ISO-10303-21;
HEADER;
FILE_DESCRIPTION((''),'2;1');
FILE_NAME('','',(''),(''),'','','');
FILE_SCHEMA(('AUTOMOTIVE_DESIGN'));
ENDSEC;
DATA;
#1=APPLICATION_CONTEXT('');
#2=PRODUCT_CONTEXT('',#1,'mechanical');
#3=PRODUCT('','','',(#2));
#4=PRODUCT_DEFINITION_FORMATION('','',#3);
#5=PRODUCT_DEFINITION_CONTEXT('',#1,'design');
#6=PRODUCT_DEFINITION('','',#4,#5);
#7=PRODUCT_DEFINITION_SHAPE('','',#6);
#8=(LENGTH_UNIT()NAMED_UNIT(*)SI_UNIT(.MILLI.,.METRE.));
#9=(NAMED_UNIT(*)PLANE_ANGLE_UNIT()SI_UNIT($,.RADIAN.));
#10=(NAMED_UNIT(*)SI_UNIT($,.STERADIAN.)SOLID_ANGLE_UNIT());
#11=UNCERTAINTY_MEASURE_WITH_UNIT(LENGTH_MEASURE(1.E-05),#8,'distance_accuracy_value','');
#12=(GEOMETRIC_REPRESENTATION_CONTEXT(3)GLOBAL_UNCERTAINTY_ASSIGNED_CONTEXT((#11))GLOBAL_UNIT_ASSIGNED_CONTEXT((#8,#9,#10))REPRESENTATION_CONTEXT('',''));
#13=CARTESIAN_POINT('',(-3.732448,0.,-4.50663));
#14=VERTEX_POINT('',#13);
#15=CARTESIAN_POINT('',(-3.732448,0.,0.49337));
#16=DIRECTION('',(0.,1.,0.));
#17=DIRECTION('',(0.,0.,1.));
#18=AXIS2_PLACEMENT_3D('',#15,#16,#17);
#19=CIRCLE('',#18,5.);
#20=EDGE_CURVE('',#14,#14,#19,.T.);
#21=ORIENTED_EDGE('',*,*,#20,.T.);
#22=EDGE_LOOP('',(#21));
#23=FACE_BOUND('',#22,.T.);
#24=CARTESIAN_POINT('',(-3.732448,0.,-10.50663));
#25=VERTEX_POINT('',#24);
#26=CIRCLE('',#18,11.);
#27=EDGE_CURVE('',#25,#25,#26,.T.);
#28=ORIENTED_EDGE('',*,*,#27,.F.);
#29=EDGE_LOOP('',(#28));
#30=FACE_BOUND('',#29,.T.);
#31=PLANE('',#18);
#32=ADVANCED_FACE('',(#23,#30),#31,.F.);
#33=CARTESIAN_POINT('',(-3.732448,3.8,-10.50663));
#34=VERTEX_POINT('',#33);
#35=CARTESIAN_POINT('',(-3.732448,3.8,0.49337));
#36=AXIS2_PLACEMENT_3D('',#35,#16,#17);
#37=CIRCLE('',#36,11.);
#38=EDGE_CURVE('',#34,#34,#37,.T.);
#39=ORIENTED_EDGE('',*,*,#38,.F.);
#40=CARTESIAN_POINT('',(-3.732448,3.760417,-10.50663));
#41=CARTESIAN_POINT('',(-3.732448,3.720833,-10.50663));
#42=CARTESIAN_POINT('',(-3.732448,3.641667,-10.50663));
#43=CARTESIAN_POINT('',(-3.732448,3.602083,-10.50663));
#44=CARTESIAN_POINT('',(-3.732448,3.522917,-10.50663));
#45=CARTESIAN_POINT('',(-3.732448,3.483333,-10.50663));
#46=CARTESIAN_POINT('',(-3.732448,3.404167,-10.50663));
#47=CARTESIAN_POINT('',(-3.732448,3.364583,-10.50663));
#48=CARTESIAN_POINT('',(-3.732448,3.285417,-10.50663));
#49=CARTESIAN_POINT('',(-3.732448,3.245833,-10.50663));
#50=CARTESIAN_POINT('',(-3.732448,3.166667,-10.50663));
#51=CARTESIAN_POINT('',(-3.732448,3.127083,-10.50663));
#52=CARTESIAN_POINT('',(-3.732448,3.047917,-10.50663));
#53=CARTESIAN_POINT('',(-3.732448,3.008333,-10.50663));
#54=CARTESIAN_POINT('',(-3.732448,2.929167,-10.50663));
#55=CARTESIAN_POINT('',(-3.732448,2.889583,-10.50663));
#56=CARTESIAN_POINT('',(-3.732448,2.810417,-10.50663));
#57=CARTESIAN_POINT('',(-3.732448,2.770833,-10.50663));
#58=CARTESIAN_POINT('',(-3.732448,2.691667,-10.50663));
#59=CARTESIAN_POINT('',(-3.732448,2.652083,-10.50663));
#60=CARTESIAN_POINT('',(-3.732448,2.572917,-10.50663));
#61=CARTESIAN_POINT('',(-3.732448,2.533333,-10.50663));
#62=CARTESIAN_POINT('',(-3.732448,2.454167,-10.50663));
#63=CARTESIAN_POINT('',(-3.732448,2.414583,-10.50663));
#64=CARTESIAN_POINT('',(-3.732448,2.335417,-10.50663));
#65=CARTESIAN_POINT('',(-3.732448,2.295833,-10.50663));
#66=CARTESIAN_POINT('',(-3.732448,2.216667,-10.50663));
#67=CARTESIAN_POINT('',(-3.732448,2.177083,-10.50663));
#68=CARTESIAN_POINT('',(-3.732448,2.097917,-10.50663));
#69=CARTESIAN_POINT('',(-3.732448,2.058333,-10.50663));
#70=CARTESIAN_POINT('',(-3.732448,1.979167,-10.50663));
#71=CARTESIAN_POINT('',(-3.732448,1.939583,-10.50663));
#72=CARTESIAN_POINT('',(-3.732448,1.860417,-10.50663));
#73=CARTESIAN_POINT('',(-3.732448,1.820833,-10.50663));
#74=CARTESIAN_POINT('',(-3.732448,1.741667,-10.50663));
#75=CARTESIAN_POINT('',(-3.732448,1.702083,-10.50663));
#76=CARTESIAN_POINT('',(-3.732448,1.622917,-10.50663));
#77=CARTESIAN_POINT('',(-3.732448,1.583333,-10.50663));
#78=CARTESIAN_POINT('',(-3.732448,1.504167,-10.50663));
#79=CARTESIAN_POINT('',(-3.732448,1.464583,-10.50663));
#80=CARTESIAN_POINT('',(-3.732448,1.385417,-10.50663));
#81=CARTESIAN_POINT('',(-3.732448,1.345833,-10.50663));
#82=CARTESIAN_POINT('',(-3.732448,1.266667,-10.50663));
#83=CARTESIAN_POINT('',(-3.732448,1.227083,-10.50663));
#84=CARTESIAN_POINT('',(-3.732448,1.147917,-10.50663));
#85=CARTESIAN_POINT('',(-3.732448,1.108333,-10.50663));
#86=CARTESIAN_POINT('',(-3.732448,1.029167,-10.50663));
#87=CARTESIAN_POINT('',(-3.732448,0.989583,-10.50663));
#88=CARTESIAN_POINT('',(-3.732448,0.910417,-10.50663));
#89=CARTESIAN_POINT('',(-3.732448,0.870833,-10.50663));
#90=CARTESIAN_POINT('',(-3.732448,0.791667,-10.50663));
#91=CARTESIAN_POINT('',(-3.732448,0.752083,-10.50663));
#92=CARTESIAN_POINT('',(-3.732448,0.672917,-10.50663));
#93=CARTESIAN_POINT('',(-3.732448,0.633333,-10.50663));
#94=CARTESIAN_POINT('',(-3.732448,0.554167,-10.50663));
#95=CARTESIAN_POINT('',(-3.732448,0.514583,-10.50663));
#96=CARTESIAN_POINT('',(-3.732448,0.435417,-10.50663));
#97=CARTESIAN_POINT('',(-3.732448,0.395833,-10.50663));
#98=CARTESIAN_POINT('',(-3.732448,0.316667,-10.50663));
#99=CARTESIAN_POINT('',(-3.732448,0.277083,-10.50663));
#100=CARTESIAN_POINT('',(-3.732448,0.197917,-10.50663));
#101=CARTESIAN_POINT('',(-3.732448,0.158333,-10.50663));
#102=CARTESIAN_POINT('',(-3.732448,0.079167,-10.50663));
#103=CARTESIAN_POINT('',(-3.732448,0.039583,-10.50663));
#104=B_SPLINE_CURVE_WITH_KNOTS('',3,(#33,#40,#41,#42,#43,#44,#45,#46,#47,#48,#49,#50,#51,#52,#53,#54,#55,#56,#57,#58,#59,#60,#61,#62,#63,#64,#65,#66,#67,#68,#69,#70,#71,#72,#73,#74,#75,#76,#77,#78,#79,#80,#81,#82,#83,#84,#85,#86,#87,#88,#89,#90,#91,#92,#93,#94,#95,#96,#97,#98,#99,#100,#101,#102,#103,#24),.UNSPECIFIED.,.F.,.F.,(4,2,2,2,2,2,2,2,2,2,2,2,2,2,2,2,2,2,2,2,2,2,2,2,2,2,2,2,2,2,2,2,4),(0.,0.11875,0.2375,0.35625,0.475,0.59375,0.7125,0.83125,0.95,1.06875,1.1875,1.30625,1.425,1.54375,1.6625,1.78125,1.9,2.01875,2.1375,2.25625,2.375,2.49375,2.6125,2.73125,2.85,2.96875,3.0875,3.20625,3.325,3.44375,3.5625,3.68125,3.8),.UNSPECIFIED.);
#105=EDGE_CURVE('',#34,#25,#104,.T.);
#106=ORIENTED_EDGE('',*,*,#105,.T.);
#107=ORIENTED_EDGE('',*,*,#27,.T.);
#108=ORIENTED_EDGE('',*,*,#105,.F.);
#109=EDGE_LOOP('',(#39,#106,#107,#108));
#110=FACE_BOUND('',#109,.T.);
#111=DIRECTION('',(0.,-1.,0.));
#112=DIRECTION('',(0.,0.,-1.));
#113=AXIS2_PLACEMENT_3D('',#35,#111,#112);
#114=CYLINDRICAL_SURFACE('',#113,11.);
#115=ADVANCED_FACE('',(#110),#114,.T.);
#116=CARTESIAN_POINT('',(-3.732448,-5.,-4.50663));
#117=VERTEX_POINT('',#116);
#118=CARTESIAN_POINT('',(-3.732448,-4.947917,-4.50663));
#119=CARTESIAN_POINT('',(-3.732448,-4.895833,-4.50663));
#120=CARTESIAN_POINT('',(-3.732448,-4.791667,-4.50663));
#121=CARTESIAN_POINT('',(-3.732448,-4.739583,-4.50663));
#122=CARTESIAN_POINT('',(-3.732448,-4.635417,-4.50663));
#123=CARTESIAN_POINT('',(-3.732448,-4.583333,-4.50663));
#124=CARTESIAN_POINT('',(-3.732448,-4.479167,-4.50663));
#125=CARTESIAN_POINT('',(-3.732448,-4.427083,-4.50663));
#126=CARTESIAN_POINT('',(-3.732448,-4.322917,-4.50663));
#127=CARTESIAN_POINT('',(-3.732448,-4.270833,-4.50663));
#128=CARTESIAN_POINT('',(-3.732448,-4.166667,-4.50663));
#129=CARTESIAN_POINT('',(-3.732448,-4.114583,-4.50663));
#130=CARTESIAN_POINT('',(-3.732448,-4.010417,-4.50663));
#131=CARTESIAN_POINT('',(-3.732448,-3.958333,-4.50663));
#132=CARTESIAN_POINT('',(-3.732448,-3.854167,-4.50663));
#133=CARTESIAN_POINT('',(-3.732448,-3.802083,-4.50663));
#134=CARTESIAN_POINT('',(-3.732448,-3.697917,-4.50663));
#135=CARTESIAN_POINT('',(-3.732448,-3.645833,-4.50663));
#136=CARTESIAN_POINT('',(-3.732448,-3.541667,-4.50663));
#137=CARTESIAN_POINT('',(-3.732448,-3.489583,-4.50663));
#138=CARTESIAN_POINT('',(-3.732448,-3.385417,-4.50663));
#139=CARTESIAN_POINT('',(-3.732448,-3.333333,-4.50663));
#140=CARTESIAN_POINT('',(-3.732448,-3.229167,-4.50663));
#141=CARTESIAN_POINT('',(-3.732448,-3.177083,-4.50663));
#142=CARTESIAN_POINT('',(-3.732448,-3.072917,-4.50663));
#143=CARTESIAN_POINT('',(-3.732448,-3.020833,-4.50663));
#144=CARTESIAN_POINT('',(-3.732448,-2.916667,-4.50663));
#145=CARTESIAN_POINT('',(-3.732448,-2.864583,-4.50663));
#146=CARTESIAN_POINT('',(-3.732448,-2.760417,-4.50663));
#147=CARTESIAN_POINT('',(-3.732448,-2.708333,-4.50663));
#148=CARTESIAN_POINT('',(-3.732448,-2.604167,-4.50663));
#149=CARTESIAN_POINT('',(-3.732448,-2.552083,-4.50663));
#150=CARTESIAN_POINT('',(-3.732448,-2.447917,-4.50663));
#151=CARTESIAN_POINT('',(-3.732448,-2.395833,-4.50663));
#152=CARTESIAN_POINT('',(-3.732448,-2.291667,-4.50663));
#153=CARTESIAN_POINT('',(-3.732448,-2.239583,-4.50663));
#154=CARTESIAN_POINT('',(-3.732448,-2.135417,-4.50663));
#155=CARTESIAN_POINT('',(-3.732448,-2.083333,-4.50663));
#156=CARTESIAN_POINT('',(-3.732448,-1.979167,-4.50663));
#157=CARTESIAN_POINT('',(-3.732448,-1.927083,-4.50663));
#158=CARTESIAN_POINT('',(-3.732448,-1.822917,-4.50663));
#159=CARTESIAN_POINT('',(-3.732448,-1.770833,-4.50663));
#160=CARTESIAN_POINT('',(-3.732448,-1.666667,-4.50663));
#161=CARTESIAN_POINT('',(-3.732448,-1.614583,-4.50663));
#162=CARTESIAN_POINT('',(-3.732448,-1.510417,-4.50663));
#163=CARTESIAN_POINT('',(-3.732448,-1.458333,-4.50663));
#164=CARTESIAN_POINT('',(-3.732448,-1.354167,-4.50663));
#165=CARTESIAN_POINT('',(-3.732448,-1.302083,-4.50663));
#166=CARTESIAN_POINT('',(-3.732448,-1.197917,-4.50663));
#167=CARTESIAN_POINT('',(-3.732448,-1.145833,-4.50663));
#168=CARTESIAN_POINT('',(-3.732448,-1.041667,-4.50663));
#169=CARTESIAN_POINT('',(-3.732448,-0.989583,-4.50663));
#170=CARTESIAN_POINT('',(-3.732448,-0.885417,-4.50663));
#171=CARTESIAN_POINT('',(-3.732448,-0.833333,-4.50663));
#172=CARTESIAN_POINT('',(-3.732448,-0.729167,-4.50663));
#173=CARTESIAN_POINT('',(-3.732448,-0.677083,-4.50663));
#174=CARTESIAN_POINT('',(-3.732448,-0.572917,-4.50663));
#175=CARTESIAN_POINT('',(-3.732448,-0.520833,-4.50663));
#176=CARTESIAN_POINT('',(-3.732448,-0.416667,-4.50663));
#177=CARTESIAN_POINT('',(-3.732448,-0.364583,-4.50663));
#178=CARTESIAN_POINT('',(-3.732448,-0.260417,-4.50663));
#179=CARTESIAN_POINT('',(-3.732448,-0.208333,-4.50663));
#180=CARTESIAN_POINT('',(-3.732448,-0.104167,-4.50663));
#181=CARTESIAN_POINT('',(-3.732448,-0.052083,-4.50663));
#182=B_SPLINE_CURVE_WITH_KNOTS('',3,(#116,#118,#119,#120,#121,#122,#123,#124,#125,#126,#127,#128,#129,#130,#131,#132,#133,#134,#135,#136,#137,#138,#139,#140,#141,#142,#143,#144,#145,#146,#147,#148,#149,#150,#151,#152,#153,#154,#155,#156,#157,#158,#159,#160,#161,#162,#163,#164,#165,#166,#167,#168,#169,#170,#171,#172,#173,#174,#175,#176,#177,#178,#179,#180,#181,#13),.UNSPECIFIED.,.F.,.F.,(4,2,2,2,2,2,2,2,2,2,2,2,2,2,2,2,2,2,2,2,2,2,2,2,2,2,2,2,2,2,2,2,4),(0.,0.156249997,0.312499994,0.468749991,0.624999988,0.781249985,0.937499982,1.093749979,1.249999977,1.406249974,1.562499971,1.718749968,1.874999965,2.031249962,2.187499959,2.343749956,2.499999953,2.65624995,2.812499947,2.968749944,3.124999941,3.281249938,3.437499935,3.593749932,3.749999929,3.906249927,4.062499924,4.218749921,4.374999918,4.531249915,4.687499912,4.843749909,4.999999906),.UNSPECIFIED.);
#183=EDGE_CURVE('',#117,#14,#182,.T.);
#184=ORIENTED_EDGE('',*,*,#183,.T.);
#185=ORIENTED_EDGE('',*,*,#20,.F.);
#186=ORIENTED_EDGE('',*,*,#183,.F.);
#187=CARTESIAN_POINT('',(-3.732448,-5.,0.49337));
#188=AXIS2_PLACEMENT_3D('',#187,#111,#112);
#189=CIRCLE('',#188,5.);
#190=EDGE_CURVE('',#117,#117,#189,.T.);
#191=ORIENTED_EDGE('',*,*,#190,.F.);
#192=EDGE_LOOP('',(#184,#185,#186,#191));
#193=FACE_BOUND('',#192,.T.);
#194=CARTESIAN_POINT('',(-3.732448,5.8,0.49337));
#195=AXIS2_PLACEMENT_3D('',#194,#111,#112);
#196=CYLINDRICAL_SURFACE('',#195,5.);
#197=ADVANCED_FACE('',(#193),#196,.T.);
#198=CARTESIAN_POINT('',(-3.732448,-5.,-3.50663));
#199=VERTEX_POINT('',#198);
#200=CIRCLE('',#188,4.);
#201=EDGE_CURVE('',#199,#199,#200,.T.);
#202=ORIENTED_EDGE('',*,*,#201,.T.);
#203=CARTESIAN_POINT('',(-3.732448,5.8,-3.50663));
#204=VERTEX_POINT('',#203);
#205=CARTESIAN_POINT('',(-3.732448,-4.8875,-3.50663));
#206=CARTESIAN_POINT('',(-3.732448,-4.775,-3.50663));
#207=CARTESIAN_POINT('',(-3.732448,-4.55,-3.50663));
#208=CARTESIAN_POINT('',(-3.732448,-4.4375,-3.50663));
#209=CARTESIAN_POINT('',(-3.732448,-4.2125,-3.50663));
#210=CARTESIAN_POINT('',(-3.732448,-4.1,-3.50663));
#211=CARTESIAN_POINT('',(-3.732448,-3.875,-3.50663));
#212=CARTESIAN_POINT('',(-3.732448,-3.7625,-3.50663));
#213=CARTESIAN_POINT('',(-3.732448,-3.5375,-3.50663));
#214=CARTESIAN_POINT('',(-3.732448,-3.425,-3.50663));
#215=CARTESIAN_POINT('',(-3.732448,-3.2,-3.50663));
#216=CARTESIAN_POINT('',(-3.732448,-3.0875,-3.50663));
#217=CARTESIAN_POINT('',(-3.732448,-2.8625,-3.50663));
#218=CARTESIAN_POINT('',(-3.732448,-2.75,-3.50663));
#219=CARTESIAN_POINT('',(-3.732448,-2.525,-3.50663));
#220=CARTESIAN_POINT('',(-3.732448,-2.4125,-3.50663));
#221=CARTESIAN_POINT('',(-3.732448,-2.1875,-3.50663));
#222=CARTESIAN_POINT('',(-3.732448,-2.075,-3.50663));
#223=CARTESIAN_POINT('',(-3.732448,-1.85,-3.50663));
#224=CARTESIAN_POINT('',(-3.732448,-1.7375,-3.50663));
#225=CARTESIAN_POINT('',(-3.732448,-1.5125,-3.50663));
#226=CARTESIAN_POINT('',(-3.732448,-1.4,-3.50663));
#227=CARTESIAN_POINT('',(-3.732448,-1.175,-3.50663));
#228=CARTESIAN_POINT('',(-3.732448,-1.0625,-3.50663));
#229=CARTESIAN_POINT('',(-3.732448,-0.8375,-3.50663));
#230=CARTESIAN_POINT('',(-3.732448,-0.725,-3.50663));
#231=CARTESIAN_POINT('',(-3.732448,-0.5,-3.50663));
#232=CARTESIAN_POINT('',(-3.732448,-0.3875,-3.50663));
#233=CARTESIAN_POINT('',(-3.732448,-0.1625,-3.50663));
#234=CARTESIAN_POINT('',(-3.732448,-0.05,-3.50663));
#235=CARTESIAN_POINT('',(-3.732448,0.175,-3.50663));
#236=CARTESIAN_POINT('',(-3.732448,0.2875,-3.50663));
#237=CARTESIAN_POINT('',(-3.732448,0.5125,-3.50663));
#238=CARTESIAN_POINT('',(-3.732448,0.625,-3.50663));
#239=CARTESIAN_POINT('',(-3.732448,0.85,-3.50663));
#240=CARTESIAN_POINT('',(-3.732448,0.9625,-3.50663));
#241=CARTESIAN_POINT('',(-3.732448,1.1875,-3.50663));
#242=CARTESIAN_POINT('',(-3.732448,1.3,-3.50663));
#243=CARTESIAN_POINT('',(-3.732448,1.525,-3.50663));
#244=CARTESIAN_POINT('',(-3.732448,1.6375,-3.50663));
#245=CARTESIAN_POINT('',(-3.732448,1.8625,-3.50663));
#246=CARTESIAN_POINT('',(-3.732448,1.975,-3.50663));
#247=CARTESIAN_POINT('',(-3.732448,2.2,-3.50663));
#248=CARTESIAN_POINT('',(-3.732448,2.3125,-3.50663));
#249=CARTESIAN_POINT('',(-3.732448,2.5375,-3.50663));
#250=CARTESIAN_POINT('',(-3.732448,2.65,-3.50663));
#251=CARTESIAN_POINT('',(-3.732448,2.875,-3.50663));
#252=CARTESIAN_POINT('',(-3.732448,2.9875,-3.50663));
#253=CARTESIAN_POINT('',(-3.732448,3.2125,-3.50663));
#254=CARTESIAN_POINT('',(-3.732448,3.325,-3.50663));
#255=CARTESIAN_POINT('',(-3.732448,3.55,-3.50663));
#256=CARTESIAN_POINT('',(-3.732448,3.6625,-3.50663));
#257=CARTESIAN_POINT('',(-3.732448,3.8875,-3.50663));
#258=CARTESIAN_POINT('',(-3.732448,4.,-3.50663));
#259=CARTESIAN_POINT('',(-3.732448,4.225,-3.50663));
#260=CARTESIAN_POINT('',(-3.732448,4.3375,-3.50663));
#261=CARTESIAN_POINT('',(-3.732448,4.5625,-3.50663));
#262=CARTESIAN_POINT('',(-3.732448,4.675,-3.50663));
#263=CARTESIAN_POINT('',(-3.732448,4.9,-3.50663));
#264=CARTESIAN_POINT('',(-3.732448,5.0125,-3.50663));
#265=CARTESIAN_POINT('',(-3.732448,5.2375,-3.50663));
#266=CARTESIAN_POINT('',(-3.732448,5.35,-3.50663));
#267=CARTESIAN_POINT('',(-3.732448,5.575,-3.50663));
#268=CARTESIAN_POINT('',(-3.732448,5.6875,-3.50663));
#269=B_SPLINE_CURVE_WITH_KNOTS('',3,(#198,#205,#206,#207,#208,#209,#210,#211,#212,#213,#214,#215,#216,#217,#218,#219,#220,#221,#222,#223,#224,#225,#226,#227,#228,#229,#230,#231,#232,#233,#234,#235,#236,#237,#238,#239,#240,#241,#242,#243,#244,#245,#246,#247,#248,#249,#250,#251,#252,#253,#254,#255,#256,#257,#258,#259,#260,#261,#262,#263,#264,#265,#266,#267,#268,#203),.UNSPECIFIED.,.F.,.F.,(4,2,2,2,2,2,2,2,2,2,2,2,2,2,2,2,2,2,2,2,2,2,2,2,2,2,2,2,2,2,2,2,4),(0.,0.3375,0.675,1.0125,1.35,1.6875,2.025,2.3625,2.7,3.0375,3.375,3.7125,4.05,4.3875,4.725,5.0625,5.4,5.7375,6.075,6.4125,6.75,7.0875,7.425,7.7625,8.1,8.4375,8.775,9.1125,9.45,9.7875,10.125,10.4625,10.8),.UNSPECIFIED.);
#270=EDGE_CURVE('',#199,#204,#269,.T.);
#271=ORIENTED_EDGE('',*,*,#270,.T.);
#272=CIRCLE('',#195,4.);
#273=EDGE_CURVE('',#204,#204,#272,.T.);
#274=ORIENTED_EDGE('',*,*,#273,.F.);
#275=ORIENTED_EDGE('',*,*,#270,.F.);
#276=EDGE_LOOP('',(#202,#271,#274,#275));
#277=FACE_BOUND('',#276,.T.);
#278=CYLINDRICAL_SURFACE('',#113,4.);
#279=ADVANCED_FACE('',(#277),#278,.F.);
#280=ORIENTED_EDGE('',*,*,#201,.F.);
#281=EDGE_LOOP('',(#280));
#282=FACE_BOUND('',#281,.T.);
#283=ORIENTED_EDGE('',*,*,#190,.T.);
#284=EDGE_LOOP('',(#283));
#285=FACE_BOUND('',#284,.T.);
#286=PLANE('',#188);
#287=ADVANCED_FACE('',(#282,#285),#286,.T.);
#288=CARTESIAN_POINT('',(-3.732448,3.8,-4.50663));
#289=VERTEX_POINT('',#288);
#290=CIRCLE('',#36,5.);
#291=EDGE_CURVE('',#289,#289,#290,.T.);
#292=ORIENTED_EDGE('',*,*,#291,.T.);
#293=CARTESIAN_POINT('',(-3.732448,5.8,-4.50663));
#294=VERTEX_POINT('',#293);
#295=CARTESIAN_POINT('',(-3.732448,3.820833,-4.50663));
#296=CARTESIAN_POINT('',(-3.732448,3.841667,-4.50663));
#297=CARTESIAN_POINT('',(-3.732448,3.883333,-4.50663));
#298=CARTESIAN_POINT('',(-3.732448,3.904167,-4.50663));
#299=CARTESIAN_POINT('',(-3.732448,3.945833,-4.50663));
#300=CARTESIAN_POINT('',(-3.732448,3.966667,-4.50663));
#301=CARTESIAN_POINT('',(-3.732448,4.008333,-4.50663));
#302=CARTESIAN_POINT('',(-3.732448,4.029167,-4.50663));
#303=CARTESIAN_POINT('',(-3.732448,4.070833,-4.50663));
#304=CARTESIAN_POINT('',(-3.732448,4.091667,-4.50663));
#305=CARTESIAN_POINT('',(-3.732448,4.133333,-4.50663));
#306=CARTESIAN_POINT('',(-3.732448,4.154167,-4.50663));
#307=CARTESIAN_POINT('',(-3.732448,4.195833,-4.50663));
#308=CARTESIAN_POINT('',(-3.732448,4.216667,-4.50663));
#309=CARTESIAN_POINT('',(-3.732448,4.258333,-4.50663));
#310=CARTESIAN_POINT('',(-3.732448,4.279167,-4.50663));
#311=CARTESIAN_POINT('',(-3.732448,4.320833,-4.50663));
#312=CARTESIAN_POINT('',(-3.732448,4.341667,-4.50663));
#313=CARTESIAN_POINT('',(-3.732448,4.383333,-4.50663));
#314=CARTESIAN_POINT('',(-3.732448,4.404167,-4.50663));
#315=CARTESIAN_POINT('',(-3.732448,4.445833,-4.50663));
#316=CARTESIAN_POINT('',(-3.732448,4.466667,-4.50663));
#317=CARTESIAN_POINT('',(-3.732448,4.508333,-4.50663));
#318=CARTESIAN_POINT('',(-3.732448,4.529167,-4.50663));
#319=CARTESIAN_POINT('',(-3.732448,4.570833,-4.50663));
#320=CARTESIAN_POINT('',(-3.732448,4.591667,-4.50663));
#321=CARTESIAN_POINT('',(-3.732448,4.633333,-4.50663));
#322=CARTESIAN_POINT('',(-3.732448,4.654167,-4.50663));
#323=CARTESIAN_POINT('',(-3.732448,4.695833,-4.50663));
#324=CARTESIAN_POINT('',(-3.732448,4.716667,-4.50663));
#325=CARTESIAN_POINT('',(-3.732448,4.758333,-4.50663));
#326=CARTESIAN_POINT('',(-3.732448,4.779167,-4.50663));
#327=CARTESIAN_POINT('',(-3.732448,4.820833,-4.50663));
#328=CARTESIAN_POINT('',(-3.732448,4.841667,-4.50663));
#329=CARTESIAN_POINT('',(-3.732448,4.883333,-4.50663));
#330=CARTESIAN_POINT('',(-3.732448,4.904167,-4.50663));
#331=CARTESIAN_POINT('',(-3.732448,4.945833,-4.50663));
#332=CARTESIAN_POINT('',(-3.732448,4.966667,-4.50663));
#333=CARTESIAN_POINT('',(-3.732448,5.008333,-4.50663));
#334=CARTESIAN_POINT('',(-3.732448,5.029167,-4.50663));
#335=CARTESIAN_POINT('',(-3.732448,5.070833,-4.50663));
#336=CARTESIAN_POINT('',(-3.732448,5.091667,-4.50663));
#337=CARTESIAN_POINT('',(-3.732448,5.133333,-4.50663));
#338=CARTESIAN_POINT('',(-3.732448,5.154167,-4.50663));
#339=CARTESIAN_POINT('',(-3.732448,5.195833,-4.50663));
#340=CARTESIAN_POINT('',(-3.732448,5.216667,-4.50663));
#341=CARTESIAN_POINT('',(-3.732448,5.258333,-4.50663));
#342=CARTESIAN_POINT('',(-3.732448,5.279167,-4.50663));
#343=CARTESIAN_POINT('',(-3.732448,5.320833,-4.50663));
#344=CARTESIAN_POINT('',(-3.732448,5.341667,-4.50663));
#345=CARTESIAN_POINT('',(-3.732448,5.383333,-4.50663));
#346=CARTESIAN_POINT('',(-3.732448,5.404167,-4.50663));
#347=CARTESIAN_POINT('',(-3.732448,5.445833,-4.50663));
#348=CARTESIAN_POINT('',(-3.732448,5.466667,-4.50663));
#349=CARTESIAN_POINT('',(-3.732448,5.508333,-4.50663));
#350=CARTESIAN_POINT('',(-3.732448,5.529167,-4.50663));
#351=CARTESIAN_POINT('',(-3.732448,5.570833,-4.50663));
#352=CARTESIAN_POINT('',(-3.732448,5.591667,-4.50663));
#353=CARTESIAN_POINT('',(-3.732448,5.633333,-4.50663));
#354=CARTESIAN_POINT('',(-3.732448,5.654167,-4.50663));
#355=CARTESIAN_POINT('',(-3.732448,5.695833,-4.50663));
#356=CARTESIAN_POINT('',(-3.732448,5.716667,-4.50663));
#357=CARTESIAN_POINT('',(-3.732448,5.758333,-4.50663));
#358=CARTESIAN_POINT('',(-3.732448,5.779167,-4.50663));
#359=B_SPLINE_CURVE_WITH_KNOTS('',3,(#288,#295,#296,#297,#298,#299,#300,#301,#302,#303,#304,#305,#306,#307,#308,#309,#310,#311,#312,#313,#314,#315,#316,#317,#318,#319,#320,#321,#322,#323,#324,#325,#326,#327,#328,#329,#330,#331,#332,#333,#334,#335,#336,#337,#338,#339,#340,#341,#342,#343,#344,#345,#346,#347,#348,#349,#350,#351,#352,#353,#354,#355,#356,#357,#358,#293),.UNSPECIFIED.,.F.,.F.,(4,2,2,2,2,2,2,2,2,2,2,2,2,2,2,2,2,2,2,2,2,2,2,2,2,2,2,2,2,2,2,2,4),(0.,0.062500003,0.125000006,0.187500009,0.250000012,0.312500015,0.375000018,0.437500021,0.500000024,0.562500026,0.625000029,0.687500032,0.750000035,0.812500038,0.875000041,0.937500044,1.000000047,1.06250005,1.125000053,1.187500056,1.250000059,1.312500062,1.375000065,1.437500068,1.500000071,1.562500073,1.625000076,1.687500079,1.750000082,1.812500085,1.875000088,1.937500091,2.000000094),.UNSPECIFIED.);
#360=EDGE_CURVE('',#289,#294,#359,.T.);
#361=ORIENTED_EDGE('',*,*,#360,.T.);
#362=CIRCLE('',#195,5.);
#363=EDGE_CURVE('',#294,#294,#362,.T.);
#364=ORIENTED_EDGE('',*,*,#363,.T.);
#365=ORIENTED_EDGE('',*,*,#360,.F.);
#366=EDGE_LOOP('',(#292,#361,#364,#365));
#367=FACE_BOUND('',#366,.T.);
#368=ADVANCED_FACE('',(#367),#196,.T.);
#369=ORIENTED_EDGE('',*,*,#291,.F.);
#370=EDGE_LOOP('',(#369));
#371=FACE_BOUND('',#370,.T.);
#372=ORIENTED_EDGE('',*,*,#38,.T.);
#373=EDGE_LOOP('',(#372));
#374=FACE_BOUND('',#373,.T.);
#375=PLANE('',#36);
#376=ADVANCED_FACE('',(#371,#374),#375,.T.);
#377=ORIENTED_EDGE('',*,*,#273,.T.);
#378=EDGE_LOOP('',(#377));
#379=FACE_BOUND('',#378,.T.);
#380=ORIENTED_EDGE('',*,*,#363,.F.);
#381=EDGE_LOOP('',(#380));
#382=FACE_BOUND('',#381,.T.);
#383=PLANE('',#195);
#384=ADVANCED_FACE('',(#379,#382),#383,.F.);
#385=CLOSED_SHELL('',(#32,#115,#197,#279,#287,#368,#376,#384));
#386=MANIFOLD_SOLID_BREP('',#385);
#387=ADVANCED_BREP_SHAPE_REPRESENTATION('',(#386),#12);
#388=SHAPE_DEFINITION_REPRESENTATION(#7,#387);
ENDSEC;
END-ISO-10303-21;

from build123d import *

# Parameters (mm, degrees)
SKETCH1_R           = 11
SKETCH1_R_2         = 4
BOSS_EXTRUDE1_DEPTH = 3.8
SKETCH2_R           = 5
SKETCH2_R_2         = 4
BOSS_EXTRUDE2_DEPTH = 10.8


with BuildPart() as part:
    # Sketch1 → Boss-Extrude1 (new body)
    with BuildSketch(Plane(origin=(0, 0, 0), x_dir=(1, 0, 0), z_dir=(0, 1, 0))):
        with Locations(Location((-3.732448162, -0.493369585, 0), (0, 0, 90))):
            Circle(SKETCH1_R)
        with Locations(Location((-3.732448162, -0.493369585, 0), (0, 0, 90))):
            Circle(SKETCH1_R_2, mode=Mode.SUBTRACT)
    extrude(amount=BOSS_EXTRUDE1_DEPTH)

    # Sketch2 → Boss-Extrude2 (add)
    with BuildSketch(Plane(origin=(0, -4.999999906, 0), x_dir=(-1, 0, 0), z_dir=(0, -1, 0))):
        with Locations(Location((3.732448162, -0.493369585, 0), (0, 0, 90))):
            Circle(SKETCH2_R)
        with Locations(Location((3.732448162, -0.493369585, 0), (0, 0, 90))):
            Circle(SKETCH2_R_2, mode=Mode.SUBTRACT)
    extrude(amount=-BOSS_EXTRUDE2_DEPTH)


solid = part.part
